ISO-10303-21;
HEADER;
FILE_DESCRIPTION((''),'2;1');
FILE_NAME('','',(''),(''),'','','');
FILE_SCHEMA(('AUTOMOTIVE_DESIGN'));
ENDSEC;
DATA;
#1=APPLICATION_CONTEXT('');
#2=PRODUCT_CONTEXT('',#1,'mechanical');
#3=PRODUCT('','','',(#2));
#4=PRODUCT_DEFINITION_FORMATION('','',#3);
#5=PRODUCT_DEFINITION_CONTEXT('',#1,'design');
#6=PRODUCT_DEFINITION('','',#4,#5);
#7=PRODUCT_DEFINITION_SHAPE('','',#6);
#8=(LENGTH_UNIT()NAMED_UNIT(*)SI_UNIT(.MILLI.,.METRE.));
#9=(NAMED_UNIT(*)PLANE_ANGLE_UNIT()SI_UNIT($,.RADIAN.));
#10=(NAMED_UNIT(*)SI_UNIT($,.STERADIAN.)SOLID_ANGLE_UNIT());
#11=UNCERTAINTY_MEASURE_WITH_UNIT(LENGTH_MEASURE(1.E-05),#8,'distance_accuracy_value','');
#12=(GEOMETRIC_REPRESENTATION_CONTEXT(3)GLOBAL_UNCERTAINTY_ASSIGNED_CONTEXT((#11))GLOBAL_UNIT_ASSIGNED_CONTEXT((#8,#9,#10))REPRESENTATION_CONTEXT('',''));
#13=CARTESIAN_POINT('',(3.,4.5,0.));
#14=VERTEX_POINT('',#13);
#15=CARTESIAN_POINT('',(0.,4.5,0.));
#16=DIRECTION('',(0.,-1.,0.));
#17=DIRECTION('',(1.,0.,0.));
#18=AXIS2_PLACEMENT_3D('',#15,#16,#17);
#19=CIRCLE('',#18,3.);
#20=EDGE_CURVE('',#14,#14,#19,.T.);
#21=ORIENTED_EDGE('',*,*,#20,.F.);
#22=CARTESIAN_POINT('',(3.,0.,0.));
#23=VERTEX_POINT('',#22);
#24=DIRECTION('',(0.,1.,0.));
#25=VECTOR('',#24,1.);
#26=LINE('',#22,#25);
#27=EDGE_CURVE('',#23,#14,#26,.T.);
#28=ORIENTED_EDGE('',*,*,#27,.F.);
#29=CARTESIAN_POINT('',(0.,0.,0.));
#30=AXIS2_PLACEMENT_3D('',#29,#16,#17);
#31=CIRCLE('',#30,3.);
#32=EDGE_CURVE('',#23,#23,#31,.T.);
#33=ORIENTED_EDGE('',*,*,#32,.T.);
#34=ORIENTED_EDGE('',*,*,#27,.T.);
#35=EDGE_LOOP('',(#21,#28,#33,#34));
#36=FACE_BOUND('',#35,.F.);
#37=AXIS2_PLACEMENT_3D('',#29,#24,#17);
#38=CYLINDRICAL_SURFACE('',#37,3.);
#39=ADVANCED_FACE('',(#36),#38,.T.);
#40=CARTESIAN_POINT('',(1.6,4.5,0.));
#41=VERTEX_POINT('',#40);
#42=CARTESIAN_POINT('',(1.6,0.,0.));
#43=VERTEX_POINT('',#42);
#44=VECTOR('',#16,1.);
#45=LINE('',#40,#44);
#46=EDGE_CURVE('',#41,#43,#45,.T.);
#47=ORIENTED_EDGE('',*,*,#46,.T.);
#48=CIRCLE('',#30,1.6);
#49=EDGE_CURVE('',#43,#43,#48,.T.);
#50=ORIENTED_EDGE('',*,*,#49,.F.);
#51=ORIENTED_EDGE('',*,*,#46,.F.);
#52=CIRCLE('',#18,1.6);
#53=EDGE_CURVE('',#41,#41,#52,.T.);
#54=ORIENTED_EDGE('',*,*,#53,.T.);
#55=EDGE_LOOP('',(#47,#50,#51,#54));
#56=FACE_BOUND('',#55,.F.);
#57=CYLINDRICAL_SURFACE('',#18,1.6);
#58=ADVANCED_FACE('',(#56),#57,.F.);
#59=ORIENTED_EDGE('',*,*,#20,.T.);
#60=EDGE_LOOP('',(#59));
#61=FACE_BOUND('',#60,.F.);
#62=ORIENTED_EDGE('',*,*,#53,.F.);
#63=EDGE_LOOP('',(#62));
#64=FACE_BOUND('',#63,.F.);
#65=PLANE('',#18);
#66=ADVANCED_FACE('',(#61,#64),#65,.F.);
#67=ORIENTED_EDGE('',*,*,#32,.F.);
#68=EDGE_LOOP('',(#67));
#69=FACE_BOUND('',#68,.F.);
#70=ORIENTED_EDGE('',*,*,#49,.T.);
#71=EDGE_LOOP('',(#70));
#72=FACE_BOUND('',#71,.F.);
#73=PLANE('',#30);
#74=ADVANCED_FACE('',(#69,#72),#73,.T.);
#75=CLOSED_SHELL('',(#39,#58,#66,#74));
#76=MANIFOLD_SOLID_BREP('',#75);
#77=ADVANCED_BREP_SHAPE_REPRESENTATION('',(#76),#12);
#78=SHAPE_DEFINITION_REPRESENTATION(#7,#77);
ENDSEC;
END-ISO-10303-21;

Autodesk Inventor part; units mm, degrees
ref_plane "YZ Plane" through (0, 0, 0) normal (1, 0, 0) x (0, 1, 0)
ref_plane "XZ Plane" through (0, 0, 0) normal (0, 1, 0) x (-1, 0, 0)
ref_plane "XY Plane" through (0, 0, 0) normal (0, 0, 1) x (1, 0, 0)
sketch "スケッチ1" plane through (0, 0, 0) normal (0, 0, 1) x (1, 0, 0)
  line L0 (0, 0) -> (3, 0)
  line L1 (3, 0) -> (3, 4.5)
  line L2 (3, 4.5) -> (0, 4.5)
  line L3 (0, 4.5) -> (0, 0)
  line L4 (1.6, 4.5) -> (1.6, 0)
  dimension "d0" = 3
  dimension "d1" = 4.5
  dimension "d2" = 1.6
revolve "回転1" add sketch "スケッチ1" angle 360 about axis through (0, 4.5, 0) along (0, -1, 0) contours L4 L2 L1 L0
properties part number "CU-304.5H" material "ステンレス鋼 AISI 304"
